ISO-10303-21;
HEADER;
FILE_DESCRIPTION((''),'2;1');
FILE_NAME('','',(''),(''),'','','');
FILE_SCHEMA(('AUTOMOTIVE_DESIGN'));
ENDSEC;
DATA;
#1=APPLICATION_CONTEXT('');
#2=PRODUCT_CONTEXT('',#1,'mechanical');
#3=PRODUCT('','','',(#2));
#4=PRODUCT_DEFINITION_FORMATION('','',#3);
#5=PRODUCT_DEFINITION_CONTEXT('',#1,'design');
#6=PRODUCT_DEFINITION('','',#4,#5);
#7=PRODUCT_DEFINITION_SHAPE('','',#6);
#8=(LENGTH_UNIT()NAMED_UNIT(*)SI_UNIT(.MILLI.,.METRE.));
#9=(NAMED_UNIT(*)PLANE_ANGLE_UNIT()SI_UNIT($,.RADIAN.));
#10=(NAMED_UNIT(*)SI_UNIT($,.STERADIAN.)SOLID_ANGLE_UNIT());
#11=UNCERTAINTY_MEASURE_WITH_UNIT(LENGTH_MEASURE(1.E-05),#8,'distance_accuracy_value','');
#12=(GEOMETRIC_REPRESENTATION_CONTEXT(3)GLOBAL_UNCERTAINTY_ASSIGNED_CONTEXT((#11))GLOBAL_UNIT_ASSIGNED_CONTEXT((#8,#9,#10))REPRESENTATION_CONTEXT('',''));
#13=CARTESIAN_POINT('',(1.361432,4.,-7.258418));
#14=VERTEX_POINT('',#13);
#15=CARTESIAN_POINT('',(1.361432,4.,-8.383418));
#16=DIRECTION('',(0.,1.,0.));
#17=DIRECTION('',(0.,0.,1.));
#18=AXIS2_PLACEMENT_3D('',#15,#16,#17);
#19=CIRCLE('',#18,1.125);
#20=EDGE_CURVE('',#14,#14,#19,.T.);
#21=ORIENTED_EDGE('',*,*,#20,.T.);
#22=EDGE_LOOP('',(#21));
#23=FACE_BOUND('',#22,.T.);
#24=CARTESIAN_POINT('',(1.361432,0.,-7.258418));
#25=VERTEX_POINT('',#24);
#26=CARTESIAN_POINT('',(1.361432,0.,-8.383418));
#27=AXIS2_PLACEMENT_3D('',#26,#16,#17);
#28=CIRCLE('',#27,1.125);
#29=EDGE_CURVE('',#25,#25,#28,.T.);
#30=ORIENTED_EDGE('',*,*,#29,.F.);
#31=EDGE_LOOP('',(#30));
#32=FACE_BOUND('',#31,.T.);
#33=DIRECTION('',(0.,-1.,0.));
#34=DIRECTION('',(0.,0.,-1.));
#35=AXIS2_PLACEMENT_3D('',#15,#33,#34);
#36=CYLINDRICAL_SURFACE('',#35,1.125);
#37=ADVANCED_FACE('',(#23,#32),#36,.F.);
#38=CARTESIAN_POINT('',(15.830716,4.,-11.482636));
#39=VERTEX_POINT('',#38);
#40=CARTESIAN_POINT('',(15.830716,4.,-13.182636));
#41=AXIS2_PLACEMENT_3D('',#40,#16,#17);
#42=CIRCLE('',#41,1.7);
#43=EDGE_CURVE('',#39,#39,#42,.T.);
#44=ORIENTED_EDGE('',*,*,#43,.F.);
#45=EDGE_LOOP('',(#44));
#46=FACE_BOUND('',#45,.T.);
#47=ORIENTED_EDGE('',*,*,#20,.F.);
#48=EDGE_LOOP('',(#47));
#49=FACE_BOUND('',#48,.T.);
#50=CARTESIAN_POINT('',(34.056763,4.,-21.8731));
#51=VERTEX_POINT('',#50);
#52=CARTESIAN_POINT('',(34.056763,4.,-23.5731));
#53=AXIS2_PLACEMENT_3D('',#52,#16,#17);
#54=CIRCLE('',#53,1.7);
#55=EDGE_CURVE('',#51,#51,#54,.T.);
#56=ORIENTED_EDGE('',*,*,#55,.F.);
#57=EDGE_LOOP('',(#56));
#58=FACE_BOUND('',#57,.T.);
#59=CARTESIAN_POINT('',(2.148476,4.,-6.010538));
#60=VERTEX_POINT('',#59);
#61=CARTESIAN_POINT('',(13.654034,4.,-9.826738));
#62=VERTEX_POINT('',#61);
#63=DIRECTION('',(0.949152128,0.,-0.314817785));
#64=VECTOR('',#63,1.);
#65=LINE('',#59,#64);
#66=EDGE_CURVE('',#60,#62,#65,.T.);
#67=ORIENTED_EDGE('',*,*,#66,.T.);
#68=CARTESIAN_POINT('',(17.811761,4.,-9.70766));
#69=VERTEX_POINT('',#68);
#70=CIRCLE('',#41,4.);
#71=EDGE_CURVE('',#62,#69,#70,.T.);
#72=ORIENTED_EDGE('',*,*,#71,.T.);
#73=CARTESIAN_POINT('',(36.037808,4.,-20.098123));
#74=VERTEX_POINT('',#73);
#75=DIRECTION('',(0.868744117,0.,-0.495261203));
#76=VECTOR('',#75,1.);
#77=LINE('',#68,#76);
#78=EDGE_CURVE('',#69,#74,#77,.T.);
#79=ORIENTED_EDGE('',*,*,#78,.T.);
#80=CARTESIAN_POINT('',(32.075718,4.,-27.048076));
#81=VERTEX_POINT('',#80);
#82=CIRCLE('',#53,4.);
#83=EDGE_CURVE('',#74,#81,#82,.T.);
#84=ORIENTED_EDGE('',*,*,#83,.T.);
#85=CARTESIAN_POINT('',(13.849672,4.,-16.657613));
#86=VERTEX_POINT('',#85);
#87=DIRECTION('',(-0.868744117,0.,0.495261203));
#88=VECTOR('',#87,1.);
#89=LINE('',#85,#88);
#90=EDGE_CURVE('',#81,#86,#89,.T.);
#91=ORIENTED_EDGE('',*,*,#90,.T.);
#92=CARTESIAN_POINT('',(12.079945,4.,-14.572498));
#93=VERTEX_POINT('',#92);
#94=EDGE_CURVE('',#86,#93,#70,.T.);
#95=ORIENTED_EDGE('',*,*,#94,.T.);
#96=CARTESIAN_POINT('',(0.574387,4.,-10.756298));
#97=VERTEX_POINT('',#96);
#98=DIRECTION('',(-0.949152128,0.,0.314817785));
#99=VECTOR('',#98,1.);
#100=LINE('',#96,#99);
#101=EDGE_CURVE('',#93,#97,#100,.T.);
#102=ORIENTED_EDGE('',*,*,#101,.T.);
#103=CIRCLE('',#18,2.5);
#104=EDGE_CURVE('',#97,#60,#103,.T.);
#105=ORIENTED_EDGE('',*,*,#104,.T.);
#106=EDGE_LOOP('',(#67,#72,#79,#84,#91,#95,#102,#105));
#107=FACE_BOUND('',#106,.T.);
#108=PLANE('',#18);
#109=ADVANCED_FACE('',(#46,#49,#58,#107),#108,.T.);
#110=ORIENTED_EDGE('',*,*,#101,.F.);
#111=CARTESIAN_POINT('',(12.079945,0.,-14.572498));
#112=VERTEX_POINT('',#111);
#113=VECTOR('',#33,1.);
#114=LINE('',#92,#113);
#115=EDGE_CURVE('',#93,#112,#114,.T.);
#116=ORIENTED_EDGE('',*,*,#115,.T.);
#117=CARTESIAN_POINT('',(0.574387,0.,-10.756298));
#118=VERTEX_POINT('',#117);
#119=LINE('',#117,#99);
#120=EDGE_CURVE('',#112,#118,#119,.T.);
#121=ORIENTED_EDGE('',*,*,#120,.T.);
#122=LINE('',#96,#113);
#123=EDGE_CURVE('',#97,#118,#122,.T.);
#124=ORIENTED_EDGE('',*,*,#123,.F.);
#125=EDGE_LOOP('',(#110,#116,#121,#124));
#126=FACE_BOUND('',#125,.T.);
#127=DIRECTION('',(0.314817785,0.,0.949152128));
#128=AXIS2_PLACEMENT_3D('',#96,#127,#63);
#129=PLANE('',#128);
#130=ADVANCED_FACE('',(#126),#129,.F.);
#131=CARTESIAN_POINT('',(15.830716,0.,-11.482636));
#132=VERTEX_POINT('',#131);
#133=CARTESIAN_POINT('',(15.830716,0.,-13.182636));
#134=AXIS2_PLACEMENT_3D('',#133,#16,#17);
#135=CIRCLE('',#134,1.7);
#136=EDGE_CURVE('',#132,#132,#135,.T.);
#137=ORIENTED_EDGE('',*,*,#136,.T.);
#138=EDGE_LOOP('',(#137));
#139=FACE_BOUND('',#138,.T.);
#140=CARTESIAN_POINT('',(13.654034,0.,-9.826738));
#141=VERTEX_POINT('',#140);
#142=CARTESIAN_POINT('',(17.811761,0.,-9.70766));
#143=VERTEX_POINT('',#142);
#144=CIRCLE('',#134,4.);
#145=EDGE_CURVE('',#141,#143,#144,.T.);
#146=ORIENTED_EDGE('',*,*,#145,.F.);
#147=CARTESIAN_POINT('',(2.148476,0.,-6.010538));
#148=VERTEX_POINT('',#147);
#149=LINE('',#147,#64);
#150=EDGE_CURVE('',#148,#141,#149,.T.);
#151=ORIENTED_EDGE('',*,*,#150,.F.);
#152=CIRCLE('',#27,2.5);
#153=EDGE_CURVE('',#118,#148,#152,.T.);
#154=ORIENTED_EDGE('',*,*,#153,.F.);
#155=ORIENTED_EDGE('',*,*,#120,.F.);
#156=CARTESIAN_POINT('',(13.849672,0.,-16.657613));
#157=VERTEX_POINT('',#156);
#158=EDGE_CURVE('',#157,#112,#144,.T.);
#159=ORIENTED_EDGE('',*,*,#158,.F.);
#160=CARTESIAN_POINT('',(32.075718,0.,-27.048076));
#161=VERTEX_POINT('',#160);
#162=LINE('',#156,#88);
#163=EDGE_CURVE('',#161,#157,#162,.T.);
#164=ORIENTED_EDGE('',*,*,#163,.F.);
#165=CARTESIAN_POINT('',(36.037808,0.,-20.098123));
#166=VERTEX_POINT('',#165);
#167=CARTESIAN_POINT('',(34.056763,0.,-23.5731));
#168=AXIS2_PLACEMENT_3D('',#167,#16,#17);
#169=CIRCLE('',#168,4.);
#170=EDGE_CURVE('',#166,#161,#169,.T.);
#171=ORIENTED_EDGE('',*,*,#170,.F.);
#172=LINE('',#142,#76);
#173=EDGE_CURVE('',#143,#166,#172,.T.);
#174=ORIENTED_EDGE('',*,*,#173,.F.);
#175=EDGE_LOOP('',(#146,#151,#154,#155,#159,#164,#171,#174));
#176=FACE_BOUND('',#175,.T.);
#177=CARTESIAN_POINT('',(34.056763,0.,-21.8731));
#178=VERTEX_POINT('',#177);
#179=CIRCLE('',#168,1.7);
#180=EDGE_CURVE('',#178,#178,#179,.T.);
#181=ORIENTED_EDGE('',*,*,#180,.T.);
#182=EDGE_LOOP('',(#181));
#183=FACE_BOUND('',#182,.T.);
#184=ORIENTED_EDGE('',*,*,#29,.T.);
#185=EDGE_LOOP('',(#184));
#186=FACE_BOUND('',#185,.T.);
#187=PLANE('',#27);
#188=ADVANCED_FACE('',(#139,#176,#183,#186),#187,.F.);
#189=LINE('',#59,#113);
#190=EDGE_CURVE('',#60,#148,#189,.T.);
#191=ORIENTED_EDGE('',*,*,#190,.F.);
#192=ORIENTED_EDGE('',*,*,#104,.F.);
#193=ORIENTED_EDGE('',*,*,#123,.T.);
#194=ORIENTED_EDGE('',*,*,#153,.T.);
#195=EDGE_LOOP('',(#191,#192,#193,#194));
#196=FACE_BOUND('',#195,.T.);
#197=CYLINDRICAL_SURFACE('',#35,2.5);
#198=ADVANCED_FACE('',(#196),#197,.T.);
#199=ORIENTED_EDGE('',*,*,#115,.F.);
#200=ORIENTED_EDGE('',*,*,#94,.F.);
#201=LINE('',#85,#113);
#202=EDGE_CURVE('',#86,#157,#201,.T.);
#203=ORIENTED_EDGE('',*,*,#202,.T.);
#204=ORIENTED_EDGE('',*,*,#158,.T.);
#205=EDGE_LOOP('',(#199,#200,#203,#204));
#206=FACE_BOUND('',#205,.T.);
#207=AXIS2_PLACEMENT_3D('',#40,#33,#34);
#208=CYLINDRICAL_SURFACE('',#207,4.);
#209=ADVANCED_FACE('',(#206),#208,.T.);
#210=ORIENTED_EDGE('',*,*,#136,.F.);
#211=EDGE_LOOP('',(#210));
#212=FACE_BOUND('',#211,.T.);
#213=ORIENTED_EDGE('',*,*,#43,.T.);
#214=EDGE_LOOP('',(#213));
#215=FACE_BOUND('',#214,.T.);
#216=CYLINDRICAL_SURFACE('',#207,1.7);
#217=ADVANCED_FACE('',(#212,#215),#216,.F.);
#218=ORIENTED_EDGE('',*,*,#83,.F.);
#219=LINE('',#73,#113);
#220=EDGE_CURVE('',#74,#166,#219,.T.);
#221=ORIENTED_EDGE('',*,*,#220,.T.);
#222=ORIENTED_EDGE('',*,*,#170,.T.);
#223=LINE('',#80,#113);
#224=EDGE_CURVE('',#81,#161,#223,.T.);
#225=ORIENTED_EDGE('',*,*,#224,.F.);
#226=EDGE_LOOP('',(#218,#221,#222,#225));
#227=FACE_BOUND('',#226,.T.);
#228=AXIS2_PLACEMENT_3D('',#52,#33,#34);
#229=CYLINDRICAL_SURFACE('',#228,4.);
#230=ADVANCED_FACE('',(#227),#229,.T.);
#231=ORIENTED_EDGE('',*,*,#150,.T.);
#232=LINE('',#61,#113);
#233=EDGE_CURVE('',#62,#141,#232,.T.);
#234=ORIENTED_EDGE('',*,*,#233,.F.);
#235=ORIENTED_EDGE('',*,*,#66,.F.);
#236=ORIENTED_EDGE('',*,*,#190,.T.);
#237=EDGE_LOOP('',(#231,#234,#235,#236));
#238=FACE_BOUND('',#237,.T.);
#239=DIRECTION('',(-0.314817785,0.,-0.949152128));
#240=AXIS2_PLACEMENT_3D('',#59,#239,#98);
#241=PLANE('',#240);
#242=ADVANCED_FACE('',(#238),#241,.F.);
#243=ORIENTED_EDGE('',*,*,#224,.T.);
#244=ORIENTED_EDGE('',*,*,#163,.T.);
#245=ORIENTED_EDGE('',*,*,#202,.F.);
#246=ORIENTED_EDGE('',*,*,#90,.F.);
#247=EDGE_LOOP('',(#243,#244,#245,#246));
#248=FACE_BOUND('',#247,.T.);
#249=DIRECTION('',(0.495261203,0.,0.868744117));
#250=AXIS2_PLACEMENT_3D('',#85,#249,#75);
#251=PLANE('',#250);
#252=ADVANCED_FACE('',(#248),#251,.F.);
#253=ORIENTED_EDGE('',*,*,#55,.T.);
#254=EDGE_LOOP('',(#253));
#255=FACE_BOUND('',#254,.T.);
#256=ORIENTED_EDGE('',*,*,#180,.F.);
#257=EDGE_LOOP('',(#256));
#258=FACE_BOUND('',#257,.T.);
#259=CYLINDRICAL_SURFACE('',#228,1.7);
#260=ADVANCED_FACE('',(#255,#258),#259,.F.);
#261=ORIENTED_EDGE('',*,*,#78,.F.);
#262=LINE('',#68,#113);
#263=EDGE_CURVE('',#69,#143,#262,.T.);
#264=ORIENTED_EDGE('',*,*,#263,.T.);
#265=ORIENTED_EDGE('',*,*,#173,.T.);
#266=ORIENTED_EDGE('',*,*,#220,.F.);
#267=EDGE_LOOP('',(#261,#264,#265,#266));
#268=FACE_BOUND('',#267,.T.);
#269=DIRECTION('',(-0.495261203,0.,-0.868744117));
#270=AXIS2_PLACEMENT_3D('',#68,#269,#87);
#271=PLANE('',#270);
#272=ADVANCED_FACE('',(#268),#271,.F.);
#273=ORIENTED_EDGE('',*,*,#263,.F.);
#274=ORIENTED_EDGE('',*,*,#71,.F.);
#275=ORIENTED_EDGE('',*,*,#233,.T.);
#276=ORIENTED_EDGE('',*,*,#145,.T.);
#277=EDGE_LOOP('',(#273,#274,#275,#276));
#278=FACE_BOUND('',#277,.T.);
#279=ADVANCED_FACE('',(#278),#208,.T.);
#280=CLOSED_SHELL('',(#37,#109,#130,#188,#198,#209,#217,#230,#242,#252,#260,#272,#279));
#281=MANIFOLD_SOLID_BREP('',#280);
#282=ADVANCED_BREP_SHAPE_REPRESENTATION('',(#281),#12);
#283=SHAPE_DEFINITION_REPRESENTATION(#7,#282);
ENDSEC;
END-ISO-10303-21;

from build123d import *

# Parameters (mm, degrees)
SKETCH1_R           = 1.7
SKETCH1_R_2         = 1.125
BOSS_EXTRUDE1_DEPTH = 4


with BuildPart() as part:
    # Sketch1 → Boss-Extrude1 (new body)
    with BuildSketch(Plane(origin=(0, 0, 0), x_dir=(1, 0, 0), z_dir=(0, 1, 0))):
        with BuildLine():
            Line((0.574387415, 10.756298336), (12.079945336, 14.572498241))
            ThreePointArc((12.079945336, 14.572498241), (12.781068241, 15.771003636), (13.849671556, 16.657612607))
            Line((13.849671556, 16.657612607), (32.075718477, 27.048075983))
            ThreePointArc((32.075718477, 27.048075983), (37.531739758, 25.554144329), (36.037808103, 20.098123048))
            Line((36.037808103, 20.098123048), (17.811761182, 9.707659672))
            ThreePointArc((17.811761182, 9.707659672), (15.716202719, 9.184275647), (13.654034262, 9.826737601))
            Line((13.654034262, 9.826737601), (2.14847634, 6.010537696))
            ThreePointArc((2.14847634, 6.010537696), (-1.011448443, 7.596373553), (0.574387415, 10.756298336))
        make_face()
        with Locations(Location((15.830716369, 13.182636139, 0), (0, 0, 270))):
            Circle(SKETCH1_R, mode=Mode.SUBTRACT)
        with Locations(Location((1.361431878, 8.383418016, 0), (0, 0, 270))):
            Circle(SKETCH1_R_2, mode=Mode.SUBTRACT)
        with Locations(Location((34.05676329, 23.573099516, 0), (0, 0, 270))):
            Circle(SKETCH1_R, mode=Mode.SUBTRACT)
    extrude(amount=BOSS_EXTRUDE1_DEPTH)


solid = part.part
